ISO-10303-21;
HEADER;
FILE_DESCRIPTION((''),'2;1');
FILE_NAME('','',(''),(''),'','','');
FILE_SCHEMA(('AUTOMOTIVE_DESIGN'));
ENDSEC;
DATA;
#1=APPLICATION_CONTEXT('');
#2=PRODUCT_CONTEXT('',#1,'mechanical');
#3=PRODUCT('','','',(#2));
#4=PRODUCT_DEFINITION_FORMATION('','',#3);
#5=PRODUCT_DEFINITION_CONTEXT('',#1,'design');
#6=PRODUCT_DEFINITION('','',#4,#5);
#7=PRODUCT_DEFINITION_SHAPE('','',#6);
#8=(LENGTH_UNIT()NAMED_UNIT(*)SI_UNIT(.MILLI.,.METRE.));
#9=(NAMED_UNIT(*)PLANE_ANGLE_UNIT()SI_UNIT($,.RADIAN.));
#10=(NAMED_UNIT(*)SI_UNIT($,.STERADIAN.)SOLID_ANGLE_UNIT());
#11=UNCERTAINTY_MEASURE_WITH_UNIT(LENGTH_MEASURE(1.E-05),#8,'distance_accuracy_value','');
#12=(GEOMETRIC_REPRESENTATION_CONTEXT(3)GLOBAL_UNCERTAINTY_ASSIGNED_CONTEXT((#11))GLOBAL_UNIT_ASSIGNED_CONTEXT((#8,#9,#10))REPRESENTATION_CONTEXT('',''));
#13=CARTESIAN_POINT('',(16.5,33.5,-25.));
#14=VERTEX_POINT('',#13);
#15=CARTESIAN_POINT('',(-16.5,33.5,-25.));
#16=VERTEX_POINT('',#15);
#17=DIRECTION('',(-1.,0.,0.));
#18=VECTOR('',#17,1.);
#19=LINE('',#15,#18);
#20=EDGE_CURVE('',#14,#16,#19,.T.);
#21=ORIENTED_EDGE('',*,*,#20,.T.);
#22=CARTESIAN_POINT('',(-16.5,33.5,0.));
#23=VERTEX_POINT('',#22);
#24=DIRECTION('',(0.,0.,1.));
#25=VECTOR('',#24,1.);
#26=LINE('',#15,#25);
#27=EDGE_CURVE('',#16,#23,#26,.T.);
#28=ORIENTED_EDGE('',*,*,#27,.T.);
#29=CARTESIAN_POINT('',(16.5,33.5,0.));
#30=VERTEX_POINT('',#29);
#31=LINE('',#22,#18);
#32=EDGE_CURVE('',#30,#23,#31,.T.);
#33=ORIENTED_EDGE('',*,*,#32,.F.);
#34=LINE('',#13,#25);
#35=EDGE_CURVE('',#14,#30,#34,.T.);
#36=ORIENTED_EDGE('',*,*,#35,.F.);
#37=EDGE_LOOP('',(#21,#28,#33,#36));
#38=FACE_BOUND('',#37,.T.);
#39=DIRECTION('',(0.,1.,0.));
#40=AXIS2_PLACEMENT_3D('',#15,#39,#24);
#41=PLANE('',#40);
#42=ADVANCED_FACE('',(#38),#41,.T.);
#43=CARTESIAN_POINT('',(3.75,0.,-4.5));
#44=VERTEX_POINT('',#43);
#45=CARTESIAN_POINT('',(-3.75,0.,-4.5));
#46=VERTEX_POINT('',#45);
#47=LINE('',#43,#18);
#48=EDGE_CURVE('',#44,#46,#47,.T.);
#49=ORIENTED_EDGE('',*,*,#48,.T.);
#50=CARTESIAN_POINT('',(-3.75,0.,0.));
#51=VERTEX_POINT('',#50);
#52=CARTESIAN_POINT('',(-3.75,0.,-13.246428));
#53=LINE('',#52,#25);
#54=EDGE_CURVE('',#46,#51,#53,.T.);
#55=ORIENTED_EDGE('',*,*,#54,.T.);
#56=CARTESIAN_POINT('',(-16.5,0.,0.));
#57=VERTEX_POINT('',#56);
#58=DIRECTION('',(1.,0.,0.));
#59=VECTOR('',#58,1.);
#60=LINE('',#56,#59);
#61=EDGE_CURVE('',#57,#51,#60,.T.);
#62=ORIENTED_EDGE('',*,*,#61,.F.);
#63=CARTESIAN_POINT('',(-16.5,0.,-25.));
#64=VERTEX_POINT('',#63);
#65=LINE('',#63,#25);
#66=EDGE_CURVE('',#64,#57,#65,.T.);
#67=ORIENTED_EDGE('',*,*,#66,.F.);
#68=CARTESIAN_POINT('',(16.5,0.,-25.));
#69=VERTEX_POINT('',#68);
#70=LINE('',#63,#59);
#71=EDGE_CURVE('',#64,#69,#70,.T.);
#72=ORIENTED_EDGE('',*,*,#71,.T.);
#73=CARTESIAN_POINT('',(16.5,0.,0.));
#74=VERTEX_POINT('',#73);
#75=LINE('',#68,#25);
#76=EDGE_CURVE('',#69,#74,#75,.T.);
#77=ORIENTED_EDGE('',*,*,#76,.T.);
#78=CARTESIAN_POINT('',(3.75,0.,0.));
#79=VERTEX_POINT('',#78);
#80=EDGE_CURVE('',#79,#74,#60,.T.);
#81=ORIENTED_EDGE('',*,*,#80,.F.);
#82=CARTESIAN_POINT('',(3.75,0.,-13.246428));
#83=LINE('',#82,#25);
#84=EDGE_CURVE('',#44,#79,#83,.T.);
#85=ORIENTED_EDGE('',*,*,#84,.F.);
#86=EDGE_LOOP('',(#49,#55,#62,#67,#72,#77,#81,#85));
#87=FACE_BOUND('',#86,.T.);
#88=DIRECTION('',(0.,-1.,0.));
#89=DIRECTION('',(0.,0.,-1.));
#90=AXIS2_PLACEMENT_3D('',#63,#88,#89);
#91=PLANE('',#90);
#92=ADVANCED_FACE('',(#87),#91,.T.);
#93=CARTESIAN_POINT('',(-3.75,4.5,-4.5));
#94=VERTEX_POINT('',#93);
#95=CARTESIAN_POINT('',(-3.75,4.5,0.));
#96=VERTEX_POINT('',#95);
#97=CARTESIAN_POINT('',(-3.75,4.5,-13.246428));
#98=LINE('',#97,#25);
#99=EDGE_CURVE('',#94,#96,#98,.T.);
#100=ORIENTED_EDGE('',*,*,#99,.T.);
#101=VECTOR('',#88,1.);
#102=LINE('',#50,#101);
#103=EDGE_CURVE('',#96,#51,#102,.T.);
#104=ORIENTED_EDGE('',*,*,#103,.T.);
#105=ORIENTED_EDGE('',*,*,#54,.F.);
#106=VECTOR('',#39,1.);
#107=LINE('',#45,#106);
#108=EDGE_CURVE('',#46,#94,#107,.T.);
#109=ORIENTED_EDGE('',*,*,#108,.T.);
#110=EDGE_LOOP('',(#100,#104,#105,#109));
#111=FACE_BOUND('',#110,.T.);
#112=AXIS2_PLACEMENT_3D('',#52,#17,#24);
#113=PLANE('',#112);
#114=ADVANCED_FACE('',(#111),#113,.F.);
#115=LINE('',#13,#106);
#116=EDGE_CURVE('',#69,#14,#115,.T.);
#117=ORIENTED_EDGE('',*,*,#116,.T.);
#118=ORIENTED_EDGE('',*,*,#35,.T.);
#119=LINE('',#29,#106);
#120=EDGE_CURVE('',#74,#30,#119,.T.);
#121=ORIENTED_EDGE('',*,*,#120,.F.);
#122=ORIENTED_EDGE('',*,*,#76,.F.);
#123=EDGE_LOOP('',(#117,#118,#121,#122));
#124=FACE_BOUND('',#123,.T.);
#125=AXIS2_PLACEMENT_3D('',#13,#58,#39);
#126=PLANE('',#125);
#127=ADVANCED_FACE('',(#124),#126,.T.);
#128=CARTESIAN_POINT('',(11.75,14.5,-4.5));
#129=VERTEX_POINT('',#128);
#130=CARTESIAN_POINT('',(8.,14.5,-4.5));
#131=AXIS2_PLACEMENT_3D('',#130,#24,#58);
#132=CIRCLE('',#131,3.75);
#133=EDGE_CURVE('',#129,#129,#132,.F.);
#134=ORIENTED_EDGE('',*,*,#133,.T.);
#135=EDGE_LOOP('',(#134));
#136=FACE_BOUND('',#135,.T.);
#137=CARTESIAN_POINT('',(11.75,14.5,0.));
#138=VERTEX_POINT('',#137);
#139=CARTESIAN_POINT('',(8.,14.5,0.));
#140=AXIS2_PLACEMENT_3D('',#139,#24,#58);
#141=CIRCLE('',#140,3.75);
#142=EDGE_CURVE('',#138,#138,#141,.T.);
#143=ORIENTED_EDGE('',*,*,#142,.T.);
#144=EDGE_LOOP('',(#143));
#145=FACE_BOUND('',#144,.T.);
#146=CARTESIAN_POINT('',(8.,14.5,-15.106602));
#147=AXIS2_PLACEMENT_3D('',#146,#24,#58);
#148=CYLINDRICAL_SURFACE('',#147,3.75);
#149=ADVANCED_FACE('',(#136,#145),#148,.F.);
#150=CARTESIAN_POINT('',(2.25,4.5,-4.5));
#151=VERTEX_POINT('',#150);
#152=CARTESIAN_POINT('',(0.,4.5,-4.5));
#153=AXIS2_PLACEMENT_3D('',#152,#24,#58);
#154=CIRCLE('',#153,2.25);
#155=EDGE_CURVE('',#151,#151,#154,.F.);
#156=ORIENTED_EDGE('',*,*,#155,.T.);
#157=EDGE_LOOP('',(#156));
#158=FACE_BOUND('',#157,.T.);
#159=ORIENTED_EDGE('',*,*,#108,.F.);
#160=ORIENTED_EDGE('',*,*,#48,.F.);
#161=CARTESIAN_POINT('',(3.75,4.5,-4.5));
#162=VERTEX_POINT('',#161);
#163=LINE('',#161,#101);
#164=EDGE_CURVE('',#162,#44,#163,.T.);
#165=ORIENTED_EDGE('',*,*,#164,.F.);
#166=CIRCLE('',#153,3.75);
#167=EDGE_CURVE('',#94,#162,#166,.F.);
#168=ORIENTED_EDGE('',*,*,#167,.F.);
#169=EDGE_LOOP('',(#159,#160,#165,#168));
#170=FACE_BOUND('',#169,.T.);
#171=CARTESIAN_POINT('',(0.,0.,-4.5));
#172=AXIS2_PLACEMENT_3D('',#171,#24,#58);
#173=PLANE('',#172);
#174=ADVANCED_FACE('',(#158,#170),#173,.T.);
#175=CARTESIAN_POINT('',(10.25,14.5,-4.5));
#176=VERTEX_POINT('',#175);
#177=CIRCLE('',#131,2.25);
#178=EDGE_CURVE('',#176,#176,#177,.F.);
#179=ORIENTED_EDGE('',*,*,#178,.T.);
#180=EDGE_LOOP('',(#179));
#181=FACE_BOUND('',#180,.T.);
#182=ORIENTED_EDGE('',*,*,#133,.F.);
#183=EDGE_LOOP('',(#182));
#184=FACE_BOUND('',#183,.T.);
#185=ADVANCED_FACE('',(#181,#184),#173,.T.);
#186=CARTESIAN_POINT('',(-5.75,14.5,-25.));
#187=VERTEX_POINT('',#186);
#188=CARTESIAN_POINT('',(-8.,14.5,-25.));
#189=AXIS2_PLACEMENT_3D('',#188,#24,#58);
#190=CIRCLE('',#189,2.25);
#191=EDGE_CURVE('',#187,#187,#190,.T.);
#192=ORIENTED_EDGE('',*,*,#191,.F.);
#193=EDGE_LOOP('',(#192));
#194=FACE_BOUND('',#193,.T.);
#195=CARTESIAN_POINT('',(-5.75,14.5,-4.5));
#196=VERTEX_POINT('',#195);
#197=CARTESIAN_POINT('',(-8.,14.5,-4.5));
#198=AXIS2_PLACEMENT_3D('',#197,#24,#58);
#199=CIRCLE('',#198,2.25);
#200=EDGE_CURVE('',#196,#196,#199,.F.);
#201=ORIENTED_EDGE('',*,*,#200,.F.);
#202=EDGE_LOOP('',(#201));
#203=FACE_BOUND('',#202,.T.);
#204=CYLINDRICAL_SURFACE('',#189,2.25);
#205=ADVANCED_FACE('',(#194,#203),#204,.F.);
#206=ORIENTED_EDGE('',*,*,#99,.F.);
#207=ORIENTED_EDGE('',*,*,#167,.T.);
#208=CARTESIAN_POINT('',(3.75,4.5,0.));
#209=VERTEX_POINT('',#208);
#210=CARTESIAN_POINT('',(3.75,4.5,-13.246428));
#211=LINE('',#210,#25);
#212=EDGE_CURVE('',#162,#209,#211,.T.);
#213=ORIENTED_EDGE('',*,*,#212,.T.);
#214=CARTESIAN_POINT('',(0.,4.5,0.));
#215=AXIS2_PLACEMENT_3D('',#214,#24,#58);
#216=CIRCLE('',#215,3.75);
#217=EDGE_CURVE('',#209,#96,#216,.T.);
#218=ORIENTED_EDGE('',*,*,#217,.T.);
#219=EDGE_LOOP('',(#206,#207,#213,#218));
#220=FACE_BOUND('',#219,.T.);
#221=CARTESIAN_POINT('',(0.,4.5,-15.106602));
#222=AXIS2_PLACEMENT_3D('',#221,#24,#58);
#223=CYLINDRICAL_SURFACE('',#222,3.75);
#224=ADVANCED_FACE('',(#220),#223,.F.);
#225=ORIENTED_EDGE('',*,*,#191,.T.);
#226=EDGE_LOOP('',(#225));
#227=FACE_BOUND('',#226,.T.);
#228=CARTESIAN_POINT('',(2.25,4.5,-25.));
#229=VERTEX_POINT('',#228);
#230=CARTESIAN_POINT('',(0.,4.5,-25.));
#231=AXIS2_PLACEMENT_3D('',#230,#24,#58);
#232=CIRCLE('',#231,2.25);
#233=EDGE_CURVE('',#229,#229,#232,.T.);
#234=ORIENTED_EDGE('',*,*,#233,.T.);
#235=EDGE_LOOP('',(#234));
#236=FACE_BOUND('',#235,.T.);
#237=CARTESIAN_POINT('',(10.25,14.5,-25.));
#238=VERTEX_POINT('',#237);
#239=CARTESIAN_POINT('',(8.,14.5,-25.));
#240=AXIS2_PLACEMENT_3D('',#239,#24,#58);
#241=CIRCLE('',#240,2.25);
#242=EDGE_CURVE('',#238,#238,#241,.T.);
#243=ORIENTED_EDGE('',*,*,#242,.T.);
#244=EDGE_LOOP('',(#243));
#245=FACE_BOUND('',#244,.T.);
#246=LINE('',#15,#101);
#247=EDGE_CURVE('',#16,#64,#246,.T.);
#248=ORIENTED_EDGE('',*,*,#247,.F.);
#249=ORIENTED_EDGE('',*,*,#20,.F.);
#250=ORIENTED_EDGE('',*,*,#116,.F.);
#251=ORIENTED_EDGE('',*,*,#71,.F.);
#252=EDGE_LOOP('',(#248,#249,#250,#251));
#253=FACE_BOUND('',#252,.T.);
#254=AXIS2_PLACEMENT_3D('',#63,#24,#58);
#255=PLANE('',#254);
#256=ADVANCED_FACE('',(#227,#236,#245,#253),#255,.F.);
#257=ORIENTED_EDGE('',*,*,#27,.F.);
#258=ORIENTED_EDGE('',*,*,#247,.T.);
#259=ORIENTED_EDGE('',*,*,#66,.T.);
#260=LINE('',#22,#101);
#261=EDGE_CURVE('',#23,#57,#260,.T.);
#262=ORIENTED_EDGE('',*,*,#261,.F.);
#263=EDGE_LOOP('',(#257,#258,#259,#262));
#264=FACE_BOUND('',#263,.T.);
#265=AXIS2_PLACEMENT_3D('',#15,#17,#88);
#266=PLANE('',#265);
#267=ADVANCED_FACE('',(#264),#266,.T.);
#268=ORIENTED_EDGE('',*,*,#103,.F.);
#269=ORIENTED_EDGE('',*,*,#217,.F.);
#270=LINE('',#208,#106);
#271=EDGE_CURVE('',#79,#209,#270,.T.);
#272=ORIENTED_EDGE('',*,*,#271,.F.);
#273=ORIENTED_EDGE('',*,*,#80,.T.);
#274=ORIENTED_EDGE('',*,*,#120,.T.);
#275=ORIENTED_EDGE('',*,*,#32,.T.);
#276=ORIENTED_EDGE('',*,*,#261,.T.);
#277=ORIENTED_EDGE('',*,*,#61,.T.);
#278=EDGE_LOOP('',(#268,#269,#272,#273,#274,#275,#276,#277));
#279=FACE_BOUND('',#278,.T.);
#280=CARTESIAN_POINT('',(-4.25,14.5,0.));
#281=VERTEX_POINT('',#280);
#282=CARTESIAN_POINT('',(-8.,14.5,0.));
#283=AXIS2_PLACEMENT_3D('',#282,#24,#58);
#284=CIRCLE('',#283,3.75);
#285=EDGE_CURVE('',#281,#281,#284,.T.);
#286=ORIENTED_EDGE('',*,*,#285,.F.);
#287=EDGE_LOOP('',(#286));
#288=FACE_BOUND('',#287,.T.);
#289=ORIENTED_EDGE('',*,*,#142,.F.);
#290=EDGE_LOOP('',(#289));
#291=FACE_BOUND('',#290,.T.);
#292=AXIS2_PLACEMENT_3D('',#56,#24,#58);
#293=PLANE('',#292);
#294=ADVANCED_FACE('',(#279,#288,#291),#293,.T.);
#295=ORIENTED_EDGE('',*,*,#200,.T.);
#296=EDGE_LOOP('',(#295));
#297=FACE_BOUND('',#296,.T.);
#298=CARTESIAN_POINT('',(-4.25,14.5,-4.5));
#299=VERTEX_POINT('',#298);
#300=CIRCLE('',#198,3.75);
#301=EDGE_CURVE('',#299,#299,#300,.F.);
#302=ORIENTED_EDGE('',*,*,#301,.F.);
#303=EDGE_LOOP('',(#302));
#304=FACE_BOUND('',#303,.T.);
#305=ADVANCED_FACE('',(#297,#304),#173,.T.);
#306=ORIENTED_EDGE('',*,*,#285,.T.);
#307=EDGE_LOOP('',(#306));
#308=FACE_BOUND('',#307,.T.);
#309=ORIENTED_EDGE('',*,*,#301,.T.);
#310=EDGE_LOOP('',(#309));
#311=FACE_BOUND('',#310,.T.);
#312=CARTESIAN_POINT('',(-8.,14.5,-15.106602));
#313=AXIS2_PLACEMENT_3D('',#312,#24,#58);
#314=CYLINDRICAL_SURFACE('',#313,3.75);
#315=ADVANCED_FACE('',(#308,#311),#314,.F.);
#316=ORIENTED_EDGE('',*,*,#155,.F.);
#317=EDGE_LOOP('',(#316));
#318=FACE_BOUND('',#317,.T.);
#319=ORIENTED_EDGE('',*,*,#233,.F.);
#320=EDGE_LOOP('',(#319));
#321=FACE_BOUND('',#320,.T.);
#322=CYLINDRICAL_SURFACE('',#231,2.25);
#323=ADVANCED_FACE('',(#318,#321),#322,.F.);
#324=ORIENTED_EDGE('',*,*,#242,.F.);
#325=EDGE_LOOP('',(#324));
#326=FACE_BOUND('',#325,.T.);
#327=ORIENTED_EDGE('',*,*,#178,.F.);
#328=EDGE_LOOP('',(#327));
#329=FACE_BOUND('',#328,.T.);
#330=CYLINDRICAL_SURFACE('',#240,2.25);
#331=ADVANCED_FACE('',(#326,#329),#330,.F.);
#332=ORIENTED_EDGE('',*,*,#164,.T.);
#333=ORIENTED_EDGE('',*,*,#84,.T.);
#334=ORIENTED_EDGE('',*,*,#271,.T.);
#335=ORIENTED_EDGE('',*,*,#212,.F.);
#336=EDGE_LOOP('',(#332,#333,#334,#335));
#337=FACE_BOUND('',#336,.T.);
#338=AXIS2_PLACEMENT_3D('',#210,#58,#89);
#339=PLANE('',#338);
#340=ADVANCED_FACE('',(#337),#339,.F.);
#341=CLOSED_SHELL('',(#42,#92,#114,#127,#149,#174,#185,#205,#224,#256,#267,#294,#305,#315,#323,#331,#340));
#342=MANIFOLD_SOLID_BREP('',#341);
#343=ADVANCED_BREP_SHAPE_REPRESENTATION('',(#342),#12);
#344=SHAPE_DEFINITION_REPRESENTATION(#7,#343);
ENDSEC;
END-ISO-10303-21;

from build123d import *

# Parameters (mm, degrees)
BASE_SKETCH_W   = 33
BASE_SKETCH_H   = 33.5
BASE_DEPTH      = 25
DRILL_SKETCH_R  = 2.25
DRILL_DEPTH     = 45.938847337
MILL_START      = -4.5
MILL_SKETCH_W   = 7.5
MILL_SKETCH_H   = 4.5
MILL_DEPTH      = 4.5
C_BORE_START    = -4.5
C_BORE_SKETCH_R = 3.75
C_BORE_DEPTH    = 4.5


with BuildPart() as part:
    # Base_Sketch → Base (new body)
    with BuildSketch(Plane.XY):
        with Locations((0, 16.75)):
            Rectangle(BASE_SKETCH_W, BASE_SKETCH_H)
    extrude(amount=-BASE_DEPTH)

    # Drill_Sketch → Drill (cut, through all)
    with BuildSketch(Plane.XY):
        with Locations((0, 4.5)):
            Circle(DRILL_SKETCH_R)
        with Locations((-8, 14.5)):
            Circle(DRILL_SKETCH_R)
        with Locations((8, 14.5)):
            Circle(DRILL_SKETCH_R)
    extrude(amount=-DRILL_DEPTH, mode=Mode.SUBTRACT)

    # Mill_Sketch → Mill (cut)
    with BuildSketch(Plane.XY.offset(MILL_START)):
        with Locations((0, 2.25)):
            Rectangle(MILL_SKETCH_W, MILL_SKETCH_H)
    extrude(amount=MILL_DEPTH, mode=Mode.SUBTRACT)

    # C_Bore_Sketch → C_Bore (cut)
    with BuildSketch(Plane.XY.offset(C_BORE_START)):
        with Locations((-8, 14.5)):
            Circle(C_BORE_SKETCH_R)
        with Locations((8, 14.5)):
            Circle(C_BORE_SKETCH_R)
        with Locations((0, 4.5)):
            Circle(C_BORE_SKETCH_R)
    extrude(amount=C_BORE_DEPTH, mode=Mode.SUBTRACT)


solid = part.part
